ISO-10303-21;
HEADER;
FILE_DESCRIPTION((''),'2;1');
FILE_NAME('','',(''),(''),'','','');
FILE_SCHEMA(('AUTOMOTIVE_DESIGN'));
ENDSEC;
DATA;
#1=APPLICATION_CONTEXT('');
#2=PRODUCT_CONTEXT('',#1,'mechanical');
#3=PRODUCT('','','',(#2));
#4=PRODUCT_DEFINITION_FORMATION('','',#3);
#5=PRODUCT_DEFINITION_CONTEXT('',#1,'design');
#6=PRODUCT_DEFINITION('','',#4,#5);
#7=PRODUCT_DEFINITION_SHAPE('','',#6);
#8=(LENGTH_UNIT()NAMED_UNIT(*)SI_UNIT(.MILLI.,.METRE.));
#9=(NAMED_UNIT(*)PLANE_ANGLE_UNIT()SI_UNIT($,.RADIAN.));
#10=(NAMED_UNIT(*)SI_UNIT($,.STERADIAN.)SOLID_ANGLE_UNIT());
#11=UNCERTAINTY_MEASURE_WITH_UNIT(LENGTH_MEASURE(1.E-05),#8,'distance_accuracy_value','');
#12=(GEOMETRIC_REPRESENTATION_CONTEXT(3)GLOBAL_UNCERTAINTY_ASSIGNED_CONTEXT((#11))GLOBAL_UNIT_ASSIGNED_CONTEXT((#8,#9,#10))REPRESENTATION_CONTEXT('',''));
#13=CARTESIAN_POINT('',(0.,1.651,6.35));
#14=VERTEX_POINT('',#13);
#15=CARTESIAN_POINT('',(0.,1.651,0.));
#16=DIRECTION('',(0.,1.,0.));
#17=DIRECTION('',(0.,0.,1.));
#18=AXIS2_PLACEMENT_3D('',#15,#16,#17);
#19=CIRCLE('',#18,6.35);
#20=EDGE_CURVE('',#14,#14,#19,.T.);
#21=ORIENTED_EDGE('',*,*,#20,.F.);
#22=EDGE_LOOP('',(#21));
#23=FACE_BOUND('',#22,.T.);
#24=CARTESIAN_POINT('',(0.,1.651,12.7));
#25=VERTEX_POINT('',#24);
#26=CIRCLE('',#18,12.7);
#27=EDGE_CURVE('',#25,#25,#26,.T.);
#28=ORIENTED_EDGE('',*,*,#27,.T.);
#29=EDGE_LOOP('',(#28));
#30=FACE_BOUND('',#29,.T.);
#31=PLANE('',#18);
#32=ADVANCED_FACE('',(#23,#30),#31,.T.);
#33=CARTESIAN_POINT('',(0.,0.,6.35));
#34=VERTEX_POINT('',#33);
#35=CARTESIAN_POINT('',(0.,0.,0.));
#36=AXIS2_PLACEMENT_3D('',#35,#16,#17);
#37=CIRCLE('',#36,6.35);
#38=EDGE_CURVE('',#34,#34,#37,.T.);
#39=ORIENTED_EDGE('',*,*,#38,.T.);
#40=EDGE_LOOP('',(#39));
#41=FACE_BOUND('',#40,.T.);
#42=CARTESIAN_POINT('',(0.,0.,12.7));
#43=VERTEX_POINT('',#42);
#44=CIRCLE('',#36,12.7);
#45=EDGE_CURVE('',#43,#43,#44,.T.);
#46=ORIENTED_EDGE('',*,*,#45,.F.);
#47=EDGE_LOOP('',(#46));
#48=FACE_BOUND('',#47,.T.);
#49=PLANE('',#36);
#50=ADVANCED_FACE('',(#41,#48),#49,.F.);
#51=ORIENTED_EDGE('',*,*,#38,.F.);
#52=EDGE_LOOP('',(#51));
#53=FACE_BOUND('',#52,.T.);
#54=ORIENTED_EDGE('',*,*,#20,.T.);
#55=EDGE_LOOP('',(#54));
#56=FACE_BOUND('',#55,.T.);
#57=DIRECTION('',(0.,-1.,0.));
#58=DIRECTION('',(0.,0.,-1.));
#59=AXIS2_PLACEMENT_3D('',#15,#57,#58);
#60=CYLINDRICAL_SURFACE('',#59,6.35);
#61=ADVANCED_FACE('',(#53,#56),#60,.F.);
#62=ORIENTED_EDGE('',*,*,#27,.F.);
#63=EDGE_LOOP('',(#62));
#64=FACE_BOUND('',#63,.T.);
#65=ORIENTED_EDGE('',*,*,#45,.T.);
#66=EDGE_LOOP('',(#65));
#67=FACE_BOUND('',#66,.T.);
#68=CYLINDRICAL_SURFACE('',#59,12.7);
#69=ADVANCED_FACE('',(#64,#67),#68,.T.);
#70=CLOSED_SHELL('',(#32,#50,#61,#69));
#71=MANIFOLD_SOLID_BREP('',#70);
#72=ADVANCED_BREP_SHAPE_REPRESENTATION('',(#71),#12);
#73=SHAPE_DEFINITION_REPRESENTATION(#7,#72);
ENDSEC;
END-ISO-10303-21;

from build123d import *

# Parameters (mm, degrees)
SKETCH1_R           = 12.7
SKETCH1_R_2         = 6.35
BOSS_EXTRUDE1_DEPTH = 1.651


with BuildPart() as part:
    # Sketch1 → Boss-Extrude1 (new body)
    with BuildSketch(Plane(origin=(0, 0, 0), x_dir=(1, 0, 0), z_dir=(0, 1, 0))):
        Circle(SKETCH1_R)
        Circle(SKETCH1_R_2, mode=Mode.SUBTRACT)
    extrude(amount=BOSS_EXTRUDE1_DEPTH)


solid = part.part
